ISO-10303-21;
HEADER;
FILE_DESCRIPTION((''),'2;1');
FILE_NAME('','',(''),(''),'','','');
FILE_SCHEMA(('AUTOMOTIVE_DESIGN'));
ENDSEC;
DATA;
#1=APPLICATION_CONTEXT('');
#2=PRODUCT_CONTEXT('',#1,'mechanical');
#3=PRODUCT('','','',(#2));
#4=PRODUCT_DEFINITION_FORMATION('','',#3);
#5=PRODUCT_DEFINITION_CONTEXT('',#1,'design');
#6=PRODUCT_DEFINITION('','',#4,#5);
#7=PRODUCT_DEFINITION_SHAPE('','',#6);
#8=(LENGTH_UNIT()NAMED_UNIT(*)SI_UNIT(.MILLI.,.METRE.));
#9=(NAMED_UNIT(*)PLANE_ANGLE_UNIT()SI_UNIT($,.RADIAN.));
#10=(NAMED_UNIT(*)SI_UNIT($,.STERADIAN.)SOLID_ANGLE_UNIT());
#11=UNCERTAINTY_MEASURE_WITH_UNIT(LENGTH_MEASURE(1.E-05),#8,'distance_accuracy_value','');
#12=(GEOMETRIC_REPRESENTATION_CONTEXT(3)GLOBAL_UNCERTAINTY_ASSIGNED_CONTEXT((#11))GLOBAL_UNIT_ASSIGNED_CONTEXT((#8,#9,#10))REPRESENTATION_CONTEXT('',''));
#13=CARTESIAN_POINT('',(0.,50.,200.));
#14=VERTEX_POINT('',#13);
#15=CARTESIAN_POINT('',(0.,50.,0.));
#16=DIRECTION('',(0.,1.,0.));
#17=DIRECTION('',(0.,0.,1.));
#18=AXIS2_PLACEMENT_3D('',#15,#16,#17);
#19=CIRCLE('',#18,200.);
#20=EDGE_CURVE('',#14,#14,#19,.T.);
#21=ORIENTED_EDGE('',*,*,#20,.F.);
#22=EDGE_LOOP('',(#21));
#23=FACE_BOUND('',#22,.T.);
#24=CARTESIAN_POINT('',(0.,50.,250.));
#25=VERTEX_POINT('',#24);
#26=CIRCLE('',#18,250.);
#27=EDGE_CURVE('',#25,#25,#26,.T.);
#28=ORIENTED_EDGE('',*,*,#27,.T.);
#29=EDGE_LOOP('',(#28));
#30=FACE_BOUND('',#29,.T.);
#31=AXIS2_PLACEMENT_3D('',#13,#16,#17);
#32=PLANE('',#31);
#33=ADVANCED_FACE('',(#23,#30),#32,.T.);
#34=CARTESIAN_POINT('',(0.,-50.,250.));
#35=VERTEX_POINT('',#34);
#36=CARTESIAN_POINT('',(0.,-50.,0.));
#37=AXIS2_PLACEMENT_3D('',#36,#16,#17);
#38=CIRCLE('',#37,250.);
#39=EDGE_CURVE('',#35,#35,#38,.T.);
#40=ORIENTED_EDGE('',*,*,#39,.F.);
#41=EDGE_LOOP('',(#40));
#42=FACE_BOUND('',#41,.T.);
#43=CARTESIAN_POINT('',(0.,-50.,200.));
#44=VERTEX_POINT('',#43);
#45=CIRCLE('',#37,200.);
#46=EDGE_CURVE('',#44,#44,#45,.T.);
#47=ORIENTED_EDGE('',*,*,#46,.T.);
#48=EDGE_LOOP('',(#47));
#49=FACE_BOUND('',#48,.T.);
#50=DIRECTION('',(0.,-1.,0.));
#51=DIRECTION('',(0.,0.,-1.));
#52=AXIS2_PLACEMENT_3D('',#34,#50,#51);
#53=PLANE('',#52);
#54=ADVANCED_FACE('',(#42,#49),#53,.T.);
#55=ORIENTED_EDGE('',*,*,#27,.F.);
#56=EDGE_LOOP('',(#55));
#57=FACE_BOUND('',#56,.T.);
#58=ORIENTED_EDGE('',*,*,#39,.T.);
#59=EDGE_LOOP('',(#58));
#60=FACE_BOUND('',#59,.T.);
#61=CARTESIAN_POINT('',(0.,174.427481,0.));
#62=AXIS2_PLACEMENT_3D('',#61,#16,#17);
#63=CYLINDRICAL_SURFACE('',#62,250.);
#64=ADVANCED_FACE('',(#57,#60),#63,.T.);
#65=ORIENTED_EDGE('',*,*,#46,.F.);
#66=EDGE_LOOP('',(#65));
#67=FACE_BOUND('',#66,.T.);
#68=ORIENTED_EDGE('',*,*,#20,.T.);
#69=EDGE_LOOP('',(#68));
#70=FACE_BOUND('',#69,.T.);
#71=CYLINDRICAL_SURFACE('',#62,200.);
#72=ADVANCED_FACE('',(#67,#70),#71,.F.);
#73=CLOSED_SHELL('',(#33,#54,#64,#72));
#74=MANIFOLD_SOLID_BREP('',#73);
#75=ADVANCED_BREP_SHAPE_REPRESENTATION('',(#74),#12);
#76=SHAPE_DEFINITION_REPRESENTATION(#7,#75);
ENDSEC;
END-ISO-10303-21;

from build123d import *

# Parameters (mm, degrees)
SKETCH1_W = 50
SKETCH1_H = 100


with BuildPart() as part:
    # Sketch1 → Revolve1 (revolve)
    with BuildSketch(Plane(origin=(0, 0, 0), x_dir=(0, 0, -1), z_dir=(1, 0, 0))):
        with Locations((-225, 0)):
            Rectangle(SKETCH1_W, SKETCH1_H)
    revolve(axis=Axis((0, 174.427480916, 0), (0, -1, 0)))


solid = part.part
